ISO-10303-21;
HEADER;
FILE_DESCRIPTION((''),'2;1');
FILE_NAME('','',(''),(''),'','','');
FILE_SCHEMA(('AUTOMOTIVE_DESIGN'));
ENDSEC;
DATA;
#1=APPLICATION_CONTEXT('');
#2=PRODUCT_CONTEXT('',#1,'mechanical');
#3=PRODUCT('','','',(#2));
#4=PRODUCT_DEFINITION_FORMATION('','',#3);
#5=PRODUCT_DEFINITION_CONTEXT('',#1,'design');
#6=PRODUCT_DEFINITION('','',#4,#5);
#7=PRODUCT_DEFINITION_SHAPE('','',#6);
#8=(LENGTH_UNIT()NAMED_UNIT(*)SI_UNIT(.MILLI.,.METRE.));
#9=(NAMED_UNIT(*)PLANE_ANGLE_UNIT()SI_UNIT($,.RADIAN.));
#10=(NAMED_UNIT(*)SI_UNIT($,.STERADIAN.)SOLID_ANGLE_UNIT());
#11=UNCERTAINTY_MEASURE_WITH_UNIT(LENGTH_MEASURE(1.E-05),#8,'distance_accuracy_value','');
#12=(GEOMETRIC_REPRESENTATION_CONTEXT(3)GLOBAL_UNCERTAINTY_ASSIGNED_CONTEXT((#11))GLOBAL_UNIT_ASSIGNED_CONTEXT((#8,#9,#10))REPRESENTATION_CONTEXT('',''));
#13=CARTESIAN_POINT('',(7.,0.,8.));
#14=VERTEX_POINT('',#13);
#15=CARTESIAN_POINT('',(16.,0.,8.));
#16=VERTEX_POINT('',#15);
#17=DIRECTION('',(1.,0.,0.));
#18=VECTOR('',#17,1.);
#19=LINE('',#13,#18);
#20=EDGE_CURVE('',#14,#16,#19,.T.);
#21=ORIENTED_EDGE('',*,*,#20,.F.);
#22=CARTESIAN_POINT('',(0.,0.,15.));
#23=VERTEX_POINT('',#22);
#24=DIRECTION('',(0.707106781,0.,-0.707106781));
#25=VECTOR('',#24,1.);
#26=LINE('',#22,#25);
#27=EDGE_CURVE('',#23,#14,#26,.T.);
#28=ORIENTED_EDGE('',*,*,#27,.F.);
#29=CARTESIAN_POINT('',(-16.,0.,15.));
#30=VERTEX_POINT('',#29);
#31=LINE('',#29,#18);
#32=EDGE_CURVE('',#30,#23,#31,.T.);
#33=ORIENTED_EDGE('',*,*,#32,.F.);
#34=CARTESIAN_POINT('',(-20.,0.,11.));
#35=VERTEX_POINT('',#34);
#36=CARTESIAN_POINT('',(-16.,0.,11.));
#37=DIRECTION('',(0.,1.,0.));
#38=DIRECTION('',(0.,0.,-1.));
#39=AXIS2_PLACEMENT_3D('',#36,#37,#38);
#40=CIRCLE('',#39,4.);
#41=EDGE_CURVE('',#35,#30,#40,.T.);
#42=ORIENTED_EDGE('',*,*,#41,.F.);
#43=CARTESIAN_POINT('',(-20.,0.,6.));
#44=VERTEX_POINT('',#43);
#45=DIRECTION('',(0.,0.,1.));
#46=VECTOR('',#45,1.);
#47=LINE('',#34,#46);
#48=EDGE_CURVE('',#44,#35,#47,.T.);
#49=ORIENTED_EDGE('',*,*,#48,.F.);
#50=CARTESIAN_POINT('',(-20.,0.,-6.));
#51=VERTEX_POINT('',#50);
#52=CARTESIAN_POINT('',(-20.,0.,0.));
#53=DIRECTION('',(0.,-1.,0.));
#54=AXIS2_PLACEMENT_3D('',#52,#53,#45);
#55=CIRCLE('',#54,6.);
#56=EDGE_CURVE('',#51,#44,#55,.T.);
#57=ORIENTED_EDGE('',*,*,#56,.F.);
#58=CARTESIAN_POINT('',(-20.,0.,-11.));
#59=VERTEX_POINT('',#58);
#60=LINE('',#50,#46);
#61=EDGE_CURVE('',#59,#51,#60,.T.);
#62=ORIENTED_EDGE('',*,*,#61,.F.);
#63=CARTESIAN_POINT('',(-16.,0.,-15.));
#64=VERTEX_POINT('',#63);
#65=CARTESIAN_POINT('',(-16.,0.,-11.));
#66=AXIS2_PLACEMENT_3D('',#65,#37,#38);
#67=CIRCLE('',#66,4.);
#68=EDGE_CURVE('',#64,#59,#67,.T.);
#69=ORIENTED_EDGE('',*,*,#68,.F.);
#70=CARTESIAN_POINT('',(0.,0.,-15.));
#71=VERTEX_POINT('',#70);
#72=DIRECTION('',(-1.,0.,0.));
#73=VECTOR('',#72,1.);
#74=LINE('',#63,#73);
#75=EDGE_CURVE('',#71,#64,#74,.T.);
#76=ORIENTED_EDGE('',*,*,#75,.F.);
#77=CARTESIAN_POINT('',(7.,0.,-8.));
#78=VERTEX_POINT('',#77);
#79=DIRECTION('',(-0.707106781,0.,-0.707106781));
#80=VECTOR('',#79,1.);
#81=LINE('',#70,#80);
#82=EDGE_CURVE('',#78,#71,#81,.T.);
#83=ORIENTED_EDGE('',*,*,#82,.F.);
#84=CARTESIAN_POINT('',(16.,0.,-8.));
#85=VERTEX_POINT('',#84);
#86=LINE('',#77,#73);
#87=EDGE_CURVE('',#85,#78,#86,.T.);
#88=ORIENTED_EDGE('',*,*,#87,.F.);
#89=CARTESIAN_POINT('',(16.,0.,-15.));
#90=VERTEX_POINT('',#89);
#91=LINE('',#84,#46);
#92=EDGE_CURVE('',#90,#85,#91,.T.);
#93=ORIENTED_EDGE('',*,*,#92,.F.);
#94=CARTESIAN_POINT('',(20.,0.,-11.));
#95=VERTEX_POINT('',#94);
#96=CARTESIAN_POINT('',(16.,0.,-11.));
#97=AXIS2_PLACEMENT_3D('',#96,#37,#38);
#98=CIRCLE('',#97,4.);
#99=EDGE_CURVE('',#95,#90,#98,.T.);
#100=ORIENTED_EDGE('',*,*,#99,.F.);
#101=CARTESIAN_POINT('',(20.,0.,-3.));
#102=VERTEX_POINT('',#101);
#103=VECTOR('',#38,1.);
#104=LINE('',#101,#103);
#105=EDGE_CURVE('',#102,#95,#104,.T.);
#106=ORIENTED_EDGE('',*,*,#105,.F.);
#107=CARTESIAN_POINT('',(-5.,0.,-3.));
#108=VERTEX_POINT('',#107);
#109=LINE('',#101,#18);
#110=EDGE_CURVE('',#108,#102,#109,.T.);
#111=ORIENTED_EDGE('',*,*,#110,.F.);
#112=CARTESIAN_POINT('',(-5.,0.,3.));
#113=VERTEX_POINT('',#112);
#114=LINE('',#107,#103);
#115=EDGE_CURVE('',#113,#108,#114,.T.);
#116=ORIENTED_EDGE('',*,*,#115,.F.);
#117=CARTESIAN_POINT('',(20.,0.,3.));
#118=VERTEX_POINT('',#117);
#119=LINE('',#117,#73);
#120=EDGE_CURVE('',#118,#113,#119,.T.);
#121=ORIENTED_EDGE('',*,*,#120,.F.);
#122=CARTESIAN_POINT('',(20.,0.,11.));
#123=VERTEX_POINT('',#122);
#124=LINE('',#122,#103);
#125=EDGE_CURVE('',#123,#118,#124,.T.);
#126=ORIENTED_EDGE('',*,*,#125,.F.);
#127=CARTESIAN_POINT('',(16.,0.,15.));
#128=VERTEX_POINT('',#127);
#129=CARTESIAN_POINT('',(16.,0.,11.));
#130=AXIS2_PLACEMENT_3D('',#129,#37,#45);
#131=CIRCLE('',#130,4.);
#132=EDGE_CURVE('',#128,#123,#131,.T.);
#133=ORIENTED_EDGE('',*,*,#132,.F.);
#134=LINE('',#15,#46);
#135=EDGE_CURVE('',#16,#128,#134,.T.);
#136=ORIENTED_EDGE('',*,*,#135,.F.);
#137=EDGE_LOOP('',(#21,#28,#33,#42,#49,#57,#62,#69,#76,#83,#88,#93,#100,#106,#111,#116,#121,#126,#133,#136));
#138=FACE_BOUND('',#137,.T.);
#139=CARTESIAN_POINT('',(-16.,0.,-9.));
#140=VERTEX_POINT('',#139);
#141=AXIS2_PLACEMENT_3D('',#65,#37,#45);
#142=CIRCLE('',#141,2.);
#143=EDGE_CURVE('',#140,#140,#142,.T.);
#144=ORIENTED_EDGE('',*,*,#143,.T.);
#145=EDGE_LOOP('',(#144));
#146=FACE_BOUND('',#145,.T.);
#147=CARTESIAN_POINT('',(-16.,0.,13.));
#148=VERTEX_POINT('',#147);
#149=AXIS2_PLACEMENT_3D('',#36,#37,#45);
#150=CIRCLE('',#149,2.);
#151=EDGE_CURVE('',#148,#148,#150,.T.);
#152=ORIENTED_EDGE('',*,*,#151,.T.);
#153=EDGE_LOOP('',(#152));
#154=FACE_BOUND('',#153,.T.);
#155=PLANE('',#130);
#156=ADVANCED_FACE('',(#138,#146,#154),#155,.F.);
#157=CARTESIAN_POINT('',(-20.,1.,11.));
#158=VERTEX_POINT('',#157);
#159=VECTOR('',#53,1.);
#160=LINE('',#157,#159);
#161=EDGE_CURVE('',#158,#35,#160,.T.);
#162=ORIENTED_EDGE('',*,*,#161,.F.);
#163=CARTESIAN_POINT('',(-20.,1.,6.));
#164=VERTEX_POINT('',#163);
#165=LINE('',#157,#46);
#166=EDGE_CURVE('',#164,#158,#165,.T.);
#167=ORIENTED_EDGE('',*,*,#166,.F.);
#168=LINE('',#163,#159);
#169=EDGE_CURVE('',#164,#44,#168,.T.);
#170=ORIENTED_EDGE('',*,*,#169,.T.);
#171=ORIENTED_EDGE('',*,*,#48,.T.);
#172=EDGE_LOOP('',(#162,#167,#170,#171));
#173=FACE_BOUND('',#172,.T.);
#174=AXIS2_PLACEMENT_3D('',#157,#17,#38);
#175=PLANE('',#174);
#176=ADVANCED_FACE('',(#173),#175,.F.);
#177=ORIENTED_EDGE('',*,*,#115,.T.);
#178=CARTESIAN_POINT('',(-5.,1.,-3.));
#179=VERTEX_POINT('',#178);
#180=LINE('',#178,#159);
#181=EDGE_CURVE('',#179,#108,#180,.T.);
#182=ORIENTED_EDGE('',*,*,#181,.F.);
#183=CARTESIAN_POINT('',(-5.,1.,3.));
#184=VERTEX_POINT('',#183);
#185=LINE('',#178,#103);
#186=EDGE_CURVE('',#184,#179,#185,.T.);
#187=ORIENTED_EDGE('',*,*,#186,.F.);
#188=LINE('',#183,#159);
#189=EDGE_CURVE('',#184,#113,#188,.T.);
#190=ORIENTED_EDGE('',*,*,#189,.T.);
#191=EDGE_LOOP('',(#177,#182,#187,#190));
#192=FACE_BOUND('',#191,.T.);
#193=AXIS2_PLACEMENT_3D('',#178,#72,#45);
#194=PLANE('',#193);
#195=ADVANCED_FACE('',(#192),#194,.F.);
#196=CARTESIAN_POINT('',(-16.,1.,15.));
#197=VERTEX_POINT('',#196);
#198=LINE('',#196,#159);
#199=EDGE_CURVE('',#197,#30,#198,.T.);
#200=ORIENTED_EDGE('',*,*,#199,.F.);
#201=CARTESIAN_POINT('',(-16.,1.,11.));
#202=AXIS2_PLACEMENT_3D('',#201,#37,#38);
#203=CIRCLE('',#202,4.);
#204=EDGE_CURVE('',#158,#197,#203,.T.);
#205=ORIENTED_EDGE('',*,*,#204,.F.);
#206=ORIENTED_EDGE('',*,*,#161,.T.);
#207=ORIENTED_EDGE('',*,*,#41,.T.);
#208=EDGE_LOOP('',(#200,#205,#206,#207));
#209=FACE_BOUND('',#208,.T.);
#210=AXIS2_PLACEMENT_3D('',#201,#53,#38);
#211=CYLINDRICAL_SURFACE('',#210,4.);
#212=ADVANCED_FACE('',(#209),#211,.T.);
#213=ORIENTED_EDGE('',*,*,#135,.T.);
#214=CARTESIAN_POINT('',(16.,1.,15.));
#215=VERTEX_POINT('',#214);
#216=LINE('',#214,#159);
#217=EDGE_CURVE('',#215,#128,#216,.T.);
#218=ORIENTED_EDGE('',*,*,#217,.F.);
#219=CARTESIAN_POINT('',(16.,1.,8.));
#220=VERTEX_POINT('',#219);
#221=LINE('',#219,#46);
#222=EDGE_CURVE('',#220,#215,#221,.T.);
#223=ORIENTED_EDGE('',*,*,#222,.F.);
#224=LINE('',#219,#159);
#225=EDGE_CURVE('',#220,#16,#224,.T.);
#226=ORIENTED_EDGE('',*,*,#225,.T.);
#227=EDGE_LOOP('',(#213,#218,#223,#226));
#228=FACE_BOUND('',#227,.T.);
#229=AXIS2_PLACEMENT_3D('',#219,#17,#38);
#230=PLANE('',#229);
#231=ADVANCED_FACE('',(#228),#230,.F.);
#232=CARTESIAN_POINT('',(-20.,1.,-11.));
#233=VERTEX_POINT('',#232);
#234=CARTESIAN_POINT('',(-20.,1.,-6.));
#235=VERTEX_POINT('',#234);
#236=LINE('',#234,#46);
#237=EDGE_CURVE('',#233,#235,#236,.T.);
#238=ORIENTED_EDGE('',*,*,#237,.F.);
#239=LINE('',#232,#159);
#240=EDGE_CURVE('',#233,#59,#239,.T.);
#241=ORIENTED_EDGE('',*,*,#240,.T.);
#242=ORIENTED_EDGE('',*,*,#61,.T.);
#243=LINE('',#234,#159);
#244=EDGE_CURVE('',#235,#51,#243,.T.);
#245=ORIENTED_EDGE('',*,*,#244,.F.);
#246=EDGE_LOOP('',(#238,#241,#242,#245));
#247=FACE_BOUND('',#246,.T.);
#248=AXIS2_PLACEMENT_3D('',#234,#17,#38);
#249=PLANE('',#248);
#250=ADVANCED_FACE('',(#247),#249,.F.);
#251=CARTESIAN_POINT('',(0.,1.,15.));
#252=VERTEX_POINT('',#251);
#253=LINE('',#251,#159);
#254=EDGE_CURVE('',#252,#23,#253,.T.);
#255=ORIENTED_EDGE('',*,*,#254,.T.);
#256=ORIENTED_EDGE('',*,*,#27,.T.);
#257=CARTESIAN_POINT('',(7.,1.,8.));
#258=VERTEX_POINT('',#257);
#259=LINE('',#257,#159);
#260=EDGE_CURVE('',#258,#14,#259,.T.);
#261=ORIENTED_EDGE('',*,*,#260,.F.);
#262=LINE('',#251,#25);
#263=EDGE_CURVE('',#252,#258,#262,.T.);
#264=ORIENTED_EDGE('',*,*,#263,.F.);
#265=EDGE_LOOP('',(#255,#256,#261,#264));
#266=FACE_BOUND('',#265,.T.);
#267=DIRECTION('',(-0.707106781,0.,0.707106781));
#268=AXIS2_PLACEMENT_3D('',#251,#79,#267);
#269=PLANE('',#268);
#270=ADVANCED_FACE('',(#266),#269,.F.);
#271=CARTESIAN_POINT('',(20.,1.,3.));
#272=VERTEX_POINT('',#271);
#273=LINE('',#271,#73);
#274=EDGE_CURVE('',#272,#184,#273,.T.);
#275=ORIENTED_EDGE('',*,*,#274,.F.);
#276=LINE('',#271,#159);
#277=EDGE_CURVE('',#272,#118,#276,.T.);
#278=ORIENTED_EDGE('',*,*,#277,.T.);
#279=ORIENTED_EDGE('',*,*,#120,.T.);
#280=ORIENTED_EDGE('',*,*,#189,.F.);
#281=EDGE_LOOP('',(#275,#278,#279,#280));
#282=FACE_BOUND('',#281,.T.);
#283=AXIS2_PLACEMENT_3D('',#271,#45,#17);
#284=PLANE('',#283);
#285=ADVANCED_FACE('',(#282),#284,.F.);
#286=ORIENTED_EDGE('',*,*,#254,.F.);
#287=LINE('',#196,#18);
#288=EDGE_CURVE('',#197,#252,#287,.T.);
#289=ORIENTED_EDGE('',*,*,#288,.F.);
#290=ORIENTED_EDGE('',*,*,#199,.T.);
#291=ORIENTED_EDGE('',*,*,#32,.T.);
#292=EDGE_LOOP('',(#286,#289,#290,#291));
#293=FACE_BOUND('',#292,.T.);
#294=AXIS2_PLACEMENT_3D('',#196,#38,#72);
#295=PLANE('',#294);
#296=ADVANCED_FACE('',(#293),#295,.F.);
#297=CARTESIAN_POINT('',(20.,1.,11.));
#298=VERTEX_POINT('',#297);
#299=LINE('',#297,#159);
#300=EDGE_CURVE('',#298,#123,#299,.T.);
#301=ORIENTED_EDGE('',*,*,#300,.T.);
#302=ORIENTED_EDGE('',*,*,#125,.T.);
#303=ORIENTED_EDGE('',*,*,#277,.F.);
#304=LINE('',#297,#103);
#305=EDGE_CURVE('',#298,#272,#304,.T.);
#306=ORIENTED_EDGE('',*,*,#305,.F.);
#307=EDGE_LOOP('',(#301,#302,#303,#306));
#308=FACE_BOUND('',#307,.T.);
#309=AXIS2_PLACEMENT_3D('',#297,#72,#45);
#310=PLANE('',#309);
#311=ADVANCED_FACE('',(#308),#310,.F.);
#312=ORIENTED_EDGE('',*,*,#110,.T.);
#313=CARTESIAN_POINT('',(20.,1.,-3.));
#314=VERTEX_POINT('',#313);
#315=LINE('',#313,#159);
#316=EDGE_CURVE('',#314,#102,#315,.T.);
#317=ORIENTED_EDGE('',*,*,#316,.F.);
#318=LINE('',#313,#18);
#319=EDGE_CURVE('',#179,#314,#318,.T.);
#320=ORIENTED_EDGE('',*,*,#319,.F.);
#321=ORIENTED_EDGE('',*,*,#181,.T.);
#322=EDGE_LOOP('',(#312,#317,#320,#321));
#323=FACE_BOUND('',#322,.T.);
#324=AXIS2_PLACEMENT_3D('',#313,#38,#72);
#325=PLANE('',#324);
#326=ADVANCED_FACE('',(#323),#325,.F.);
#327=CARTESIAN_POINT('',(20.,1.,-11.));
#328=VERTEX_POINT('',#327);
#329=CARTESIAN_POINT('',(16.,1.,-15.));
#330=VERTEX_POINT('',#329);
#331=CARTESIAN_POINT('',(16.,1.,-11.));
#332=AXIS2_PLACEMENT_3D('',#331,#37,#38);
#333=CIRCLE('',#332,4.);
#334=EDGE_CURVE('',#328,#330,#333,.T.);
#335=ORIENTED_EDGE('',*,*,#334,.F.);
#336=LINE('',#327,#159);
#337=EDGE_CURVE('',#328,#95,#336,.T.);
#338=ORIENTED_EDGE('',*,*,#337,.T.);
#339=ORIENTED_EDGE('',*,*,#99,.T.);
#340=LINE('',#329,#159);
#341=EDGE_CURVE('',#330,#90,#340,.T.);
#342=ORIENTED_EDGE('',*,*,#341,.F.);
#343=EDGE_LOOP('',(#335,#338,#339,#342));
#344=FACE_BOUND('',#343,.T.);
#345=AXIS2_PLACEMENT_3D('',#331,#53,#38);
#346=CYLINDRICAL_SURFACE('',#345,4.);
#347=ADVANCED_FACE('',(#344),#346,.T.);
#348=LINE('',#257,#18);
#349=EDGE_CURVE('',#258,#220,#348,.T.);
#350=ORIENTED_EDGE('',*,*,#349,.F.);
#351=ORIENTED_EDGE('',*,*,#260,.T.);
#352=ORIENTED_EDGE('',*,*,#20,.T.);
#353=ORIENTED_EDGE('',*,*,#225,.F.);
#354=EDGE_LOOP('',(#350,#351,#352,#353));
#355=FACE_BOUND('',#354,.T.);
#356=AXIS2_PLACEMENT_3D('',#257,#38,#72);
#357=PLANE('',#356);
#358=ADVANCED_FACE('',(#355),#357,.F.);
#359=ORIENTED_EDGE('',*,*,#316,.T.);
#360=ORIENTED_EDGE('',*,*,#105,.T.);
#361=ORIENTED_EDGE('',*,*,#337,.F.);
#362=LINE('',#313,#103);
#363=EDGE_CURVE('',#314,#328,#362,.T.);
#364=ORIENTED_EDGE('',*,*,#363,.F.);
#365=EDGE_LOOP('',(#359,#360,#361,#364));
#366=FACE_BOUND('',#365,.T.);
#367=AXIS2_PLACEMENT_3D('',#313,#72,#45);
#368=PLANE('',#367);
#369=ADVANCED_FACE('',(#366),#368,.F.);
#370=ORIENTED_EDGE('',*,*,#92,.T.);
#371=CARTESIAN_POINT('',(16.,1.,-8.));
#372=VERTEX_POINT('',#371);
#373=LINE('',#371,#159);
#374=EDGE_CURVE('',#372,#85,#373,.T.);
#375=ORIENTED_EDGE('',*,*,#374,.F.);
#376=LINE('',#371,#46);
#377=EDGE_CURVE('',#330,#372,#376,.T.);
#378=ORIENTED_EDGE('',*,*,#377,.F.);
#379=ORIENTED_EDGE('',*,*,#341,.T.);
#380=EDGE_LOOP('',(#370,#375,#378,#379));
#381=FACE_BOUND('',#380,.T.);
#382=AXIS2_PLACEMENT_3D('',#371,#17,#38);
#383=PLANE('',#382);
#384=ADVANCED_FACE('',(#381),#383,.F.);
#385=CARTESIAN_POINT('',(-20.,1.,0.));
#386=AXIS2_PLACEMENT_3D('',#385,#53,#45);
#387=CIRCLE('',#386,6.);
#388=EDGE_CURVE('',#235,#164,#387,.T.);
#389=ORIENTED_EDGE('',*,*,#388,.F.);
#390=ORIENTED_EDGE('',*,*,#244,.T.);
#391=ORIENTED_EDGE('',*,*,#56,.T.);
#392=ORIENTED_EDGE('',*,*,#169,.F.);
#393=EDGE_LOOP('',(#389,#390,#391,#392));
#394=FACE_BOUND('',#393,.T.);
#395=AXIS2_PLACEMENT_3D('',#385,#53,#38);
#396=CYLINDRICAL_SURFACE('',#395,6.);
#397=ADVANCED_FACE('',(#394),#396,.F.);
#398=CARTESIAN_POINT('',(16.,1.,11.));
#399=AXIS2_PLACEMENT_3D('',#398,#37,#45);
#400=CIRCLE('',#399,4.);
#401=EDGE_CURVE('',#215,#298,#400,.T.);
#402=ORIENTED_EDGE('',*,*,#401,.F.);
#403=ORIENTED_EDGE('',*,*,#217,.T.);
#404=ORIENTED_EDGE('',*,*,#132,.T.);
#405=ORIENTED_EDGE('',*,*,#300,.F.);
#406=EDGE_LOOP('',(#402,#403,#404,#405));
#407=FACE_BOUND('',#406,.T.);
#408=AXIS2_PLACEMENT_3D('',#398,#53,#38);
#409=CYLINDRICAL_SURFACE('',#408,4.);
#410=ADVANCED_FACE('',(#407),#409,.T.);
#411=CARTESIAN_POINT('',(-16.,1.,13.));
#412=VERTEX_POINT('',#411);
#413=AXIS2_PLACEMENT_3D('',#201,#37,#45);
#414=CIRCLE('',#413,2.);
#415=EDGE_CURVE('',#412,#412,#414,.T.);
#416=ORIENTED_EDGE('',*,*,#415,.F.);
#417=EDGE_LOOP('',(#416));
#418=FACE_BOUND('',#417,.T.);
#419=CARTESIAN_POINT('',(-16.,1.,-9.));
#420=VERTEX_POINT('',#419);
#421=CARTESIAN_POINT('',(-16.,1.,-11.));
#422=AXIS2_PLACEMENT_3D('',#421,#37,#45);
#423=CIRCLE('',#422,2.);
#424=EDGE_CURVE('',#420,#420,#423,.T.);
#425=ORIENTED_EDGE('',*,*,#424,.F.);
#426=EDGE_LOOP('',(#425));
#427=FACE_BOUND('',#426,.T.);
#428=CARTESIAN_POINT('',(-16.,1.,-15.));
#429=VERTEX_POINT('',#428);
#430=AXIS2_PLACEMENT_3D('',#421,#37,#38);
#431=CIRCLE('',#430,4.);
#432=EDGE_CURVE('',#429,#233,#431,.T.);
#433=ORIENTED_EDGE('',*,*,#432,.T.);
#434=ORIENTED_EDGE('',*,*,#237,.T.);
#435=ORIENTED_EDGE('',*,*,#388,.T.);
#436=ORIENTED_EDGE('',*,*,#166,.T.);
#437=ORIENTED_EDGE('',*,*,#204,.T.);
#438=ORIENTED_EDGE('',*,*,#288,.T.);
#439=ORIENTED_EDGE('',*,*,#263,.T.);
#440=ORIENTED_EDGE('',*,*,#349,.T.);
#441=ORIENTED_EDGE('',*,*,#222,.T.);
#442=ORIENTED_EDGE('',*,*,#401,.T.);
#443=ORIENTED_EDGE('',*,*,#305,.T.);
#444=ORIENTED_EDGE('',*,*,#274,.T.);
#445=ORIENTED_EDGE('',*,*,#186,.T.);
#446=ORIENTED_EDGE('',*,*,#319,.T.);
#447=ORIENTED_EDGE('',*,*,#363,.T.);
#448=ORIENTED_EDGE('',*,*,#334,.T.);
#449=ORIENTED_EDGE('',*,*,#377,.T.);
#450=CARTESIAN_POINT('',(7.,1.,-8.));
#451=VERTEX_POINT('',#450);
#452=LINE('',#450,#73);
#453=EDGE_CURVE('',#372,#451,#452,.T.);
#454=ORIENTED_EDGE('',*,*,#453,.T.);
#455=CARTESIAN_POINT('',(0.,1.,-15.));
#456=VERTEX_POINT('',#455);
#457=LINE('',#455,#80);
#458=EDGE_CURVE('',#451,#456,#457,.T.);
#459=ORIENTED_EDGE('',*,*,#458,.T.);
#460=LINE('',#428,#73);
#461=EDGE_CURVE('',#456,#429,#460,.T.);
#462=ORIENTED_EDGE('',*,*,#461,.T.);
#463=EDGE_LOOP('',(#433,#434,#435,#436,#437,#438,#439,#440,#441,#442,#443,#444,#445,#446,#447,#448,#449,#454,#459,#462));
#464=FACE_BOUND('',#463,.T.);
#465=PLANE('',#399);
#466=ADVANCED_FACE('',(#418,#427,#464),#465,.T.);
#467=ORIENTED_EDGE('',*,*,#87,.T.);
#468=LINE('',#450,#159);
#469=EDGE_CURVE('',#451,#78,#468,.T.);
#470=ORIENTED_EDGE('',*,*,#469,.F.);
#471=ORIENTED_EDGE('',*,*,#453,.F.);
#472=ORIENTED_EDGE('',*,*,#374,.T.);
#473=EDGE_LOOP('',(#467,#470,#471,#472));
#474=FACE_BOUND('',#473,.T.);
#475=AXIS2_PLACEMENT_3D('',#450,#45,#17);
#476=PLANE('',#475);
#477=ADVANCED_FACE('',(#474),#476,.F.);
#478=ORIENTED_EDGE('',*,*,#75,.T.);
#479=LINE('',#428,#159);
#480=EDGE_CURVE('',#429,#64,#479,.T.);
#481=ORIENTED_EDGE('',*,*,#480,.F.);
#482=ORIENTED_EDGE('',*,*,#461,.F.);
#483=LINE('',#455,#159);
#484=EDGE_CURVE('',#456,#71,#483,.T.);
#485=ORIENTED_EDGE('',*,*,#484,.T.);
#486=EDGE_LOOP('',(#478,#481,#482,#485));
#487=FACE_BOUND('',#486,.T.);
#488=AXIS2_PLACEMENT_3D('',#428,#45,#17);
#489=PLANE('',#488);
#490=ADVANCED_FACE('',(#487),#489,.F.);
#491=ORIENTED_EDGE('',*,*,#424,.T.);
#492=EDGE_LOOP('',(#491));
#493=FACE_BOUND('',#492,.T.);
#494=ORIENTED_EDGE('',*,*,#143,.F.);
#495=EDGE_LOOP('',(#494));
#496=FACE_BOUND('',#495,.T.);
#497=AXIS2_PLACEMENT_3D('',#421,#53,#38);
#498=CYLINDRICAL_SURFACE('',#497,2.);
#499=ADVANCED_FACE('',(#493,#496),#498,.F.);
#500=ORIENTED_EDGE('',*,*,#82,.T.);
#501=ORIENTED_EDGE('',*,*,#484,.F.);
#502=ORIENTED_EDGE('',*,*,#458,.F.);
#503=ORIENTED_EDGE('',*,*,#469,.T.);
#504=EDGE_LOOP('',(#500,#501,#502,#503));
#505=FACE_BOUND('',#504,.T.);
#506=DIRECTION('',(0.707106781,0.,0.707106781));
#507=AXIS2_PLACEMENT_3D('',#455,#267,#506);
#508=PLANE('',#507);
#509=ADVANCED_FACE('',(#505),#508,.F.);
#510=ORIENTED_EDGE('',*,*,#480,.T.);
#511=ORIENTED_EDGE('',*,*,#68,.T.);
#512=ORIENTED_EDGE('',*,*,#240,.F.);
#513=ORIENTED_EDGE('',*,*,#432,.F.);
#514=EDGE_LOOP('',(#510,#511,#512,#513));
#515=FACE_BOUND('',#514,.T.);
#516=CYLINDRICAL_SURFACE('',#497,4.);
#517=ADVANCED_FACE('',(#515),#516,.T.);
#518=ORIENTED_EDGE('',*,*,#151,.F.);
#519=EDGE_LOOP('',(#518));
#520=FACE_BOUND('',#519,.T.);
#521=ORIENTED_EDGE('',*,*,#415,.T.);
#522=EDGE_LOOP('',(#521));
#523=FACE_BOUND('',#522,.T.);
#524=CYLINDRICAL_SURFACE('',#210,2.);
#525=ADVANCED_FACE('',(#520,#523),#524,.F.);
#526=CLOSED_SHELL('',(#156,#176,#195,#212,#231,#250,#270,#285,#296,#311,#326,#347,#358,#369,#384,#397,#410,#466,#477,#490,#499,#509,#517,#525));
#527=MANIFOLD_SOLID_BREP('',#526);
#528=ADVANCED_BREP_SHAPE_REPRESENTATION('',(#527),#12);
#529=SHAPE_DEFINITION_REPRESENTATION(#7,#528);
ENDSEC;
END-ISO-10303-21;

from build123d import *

# Parameters (mm, degrees)
SKETCH1_R           = 2
BOSS_EXTRUDE1_DEPTH = 1


with BuildPart() as part:
    # Sketch1 → Boss-Extrude1 (new body)
    with BuildSketch(Plane(origin=(0, 0, 0), x_dir=(1, 0, 0), z_dir=(0, 1, 0))):
        with BuildLine():
            Line((-20, 6), (-20, 11))
            ThreePointArc((-20, 11), (-18.828427125, 13.828427125), (-16, 15))
            Line((-16, 15), (0, 15))
            Line((0, 15), (7, 8))
            Line((7, 8), (16, 8))
            Line((16, 8), (16, 15))
            ThreePointArc((16, 15), (18.828427125, 13.828427125), (20, 11))
            Line((20, 11), (20, 3))
            Line((20, 3), (-5, 3))
            Line((-5, 3), (-5, -3))
            Line((-5, -3), (20, -3))
            Line((20, -3), (20, -11))
            ThreePointArc((20, -11), (18.828427125, -13.828427125), (16, -15))
            Line((16, -15), (16, -8))
            Line((16, -8), (7, -8))
            Line((7, -8), (0, -15))
            Line((0, -15), (-16, -15))
            ThreePointArc((-16, -15), (-18.828427125, -13.828427125), (-20, -11))
            Line((-20, -11), (-20, -6))
            ThreePointArc((-20, -6), (-14, 0), (-20, 6))
        make_face()
        with Locations(Location((-16, -11, 0), (0, 0, 270))):
            Circle(SKETCH1_R, mode=Mode.SUBTRACT)
        with Locations(Location((-16, 11, 0), (0, 0, 270))):
            Circle(SKETCH1_R, mode=Mode.SUBTRACT)
    extrude(amount=BOSS_EXTRUDE1_DEPTH)


solid = part.part
